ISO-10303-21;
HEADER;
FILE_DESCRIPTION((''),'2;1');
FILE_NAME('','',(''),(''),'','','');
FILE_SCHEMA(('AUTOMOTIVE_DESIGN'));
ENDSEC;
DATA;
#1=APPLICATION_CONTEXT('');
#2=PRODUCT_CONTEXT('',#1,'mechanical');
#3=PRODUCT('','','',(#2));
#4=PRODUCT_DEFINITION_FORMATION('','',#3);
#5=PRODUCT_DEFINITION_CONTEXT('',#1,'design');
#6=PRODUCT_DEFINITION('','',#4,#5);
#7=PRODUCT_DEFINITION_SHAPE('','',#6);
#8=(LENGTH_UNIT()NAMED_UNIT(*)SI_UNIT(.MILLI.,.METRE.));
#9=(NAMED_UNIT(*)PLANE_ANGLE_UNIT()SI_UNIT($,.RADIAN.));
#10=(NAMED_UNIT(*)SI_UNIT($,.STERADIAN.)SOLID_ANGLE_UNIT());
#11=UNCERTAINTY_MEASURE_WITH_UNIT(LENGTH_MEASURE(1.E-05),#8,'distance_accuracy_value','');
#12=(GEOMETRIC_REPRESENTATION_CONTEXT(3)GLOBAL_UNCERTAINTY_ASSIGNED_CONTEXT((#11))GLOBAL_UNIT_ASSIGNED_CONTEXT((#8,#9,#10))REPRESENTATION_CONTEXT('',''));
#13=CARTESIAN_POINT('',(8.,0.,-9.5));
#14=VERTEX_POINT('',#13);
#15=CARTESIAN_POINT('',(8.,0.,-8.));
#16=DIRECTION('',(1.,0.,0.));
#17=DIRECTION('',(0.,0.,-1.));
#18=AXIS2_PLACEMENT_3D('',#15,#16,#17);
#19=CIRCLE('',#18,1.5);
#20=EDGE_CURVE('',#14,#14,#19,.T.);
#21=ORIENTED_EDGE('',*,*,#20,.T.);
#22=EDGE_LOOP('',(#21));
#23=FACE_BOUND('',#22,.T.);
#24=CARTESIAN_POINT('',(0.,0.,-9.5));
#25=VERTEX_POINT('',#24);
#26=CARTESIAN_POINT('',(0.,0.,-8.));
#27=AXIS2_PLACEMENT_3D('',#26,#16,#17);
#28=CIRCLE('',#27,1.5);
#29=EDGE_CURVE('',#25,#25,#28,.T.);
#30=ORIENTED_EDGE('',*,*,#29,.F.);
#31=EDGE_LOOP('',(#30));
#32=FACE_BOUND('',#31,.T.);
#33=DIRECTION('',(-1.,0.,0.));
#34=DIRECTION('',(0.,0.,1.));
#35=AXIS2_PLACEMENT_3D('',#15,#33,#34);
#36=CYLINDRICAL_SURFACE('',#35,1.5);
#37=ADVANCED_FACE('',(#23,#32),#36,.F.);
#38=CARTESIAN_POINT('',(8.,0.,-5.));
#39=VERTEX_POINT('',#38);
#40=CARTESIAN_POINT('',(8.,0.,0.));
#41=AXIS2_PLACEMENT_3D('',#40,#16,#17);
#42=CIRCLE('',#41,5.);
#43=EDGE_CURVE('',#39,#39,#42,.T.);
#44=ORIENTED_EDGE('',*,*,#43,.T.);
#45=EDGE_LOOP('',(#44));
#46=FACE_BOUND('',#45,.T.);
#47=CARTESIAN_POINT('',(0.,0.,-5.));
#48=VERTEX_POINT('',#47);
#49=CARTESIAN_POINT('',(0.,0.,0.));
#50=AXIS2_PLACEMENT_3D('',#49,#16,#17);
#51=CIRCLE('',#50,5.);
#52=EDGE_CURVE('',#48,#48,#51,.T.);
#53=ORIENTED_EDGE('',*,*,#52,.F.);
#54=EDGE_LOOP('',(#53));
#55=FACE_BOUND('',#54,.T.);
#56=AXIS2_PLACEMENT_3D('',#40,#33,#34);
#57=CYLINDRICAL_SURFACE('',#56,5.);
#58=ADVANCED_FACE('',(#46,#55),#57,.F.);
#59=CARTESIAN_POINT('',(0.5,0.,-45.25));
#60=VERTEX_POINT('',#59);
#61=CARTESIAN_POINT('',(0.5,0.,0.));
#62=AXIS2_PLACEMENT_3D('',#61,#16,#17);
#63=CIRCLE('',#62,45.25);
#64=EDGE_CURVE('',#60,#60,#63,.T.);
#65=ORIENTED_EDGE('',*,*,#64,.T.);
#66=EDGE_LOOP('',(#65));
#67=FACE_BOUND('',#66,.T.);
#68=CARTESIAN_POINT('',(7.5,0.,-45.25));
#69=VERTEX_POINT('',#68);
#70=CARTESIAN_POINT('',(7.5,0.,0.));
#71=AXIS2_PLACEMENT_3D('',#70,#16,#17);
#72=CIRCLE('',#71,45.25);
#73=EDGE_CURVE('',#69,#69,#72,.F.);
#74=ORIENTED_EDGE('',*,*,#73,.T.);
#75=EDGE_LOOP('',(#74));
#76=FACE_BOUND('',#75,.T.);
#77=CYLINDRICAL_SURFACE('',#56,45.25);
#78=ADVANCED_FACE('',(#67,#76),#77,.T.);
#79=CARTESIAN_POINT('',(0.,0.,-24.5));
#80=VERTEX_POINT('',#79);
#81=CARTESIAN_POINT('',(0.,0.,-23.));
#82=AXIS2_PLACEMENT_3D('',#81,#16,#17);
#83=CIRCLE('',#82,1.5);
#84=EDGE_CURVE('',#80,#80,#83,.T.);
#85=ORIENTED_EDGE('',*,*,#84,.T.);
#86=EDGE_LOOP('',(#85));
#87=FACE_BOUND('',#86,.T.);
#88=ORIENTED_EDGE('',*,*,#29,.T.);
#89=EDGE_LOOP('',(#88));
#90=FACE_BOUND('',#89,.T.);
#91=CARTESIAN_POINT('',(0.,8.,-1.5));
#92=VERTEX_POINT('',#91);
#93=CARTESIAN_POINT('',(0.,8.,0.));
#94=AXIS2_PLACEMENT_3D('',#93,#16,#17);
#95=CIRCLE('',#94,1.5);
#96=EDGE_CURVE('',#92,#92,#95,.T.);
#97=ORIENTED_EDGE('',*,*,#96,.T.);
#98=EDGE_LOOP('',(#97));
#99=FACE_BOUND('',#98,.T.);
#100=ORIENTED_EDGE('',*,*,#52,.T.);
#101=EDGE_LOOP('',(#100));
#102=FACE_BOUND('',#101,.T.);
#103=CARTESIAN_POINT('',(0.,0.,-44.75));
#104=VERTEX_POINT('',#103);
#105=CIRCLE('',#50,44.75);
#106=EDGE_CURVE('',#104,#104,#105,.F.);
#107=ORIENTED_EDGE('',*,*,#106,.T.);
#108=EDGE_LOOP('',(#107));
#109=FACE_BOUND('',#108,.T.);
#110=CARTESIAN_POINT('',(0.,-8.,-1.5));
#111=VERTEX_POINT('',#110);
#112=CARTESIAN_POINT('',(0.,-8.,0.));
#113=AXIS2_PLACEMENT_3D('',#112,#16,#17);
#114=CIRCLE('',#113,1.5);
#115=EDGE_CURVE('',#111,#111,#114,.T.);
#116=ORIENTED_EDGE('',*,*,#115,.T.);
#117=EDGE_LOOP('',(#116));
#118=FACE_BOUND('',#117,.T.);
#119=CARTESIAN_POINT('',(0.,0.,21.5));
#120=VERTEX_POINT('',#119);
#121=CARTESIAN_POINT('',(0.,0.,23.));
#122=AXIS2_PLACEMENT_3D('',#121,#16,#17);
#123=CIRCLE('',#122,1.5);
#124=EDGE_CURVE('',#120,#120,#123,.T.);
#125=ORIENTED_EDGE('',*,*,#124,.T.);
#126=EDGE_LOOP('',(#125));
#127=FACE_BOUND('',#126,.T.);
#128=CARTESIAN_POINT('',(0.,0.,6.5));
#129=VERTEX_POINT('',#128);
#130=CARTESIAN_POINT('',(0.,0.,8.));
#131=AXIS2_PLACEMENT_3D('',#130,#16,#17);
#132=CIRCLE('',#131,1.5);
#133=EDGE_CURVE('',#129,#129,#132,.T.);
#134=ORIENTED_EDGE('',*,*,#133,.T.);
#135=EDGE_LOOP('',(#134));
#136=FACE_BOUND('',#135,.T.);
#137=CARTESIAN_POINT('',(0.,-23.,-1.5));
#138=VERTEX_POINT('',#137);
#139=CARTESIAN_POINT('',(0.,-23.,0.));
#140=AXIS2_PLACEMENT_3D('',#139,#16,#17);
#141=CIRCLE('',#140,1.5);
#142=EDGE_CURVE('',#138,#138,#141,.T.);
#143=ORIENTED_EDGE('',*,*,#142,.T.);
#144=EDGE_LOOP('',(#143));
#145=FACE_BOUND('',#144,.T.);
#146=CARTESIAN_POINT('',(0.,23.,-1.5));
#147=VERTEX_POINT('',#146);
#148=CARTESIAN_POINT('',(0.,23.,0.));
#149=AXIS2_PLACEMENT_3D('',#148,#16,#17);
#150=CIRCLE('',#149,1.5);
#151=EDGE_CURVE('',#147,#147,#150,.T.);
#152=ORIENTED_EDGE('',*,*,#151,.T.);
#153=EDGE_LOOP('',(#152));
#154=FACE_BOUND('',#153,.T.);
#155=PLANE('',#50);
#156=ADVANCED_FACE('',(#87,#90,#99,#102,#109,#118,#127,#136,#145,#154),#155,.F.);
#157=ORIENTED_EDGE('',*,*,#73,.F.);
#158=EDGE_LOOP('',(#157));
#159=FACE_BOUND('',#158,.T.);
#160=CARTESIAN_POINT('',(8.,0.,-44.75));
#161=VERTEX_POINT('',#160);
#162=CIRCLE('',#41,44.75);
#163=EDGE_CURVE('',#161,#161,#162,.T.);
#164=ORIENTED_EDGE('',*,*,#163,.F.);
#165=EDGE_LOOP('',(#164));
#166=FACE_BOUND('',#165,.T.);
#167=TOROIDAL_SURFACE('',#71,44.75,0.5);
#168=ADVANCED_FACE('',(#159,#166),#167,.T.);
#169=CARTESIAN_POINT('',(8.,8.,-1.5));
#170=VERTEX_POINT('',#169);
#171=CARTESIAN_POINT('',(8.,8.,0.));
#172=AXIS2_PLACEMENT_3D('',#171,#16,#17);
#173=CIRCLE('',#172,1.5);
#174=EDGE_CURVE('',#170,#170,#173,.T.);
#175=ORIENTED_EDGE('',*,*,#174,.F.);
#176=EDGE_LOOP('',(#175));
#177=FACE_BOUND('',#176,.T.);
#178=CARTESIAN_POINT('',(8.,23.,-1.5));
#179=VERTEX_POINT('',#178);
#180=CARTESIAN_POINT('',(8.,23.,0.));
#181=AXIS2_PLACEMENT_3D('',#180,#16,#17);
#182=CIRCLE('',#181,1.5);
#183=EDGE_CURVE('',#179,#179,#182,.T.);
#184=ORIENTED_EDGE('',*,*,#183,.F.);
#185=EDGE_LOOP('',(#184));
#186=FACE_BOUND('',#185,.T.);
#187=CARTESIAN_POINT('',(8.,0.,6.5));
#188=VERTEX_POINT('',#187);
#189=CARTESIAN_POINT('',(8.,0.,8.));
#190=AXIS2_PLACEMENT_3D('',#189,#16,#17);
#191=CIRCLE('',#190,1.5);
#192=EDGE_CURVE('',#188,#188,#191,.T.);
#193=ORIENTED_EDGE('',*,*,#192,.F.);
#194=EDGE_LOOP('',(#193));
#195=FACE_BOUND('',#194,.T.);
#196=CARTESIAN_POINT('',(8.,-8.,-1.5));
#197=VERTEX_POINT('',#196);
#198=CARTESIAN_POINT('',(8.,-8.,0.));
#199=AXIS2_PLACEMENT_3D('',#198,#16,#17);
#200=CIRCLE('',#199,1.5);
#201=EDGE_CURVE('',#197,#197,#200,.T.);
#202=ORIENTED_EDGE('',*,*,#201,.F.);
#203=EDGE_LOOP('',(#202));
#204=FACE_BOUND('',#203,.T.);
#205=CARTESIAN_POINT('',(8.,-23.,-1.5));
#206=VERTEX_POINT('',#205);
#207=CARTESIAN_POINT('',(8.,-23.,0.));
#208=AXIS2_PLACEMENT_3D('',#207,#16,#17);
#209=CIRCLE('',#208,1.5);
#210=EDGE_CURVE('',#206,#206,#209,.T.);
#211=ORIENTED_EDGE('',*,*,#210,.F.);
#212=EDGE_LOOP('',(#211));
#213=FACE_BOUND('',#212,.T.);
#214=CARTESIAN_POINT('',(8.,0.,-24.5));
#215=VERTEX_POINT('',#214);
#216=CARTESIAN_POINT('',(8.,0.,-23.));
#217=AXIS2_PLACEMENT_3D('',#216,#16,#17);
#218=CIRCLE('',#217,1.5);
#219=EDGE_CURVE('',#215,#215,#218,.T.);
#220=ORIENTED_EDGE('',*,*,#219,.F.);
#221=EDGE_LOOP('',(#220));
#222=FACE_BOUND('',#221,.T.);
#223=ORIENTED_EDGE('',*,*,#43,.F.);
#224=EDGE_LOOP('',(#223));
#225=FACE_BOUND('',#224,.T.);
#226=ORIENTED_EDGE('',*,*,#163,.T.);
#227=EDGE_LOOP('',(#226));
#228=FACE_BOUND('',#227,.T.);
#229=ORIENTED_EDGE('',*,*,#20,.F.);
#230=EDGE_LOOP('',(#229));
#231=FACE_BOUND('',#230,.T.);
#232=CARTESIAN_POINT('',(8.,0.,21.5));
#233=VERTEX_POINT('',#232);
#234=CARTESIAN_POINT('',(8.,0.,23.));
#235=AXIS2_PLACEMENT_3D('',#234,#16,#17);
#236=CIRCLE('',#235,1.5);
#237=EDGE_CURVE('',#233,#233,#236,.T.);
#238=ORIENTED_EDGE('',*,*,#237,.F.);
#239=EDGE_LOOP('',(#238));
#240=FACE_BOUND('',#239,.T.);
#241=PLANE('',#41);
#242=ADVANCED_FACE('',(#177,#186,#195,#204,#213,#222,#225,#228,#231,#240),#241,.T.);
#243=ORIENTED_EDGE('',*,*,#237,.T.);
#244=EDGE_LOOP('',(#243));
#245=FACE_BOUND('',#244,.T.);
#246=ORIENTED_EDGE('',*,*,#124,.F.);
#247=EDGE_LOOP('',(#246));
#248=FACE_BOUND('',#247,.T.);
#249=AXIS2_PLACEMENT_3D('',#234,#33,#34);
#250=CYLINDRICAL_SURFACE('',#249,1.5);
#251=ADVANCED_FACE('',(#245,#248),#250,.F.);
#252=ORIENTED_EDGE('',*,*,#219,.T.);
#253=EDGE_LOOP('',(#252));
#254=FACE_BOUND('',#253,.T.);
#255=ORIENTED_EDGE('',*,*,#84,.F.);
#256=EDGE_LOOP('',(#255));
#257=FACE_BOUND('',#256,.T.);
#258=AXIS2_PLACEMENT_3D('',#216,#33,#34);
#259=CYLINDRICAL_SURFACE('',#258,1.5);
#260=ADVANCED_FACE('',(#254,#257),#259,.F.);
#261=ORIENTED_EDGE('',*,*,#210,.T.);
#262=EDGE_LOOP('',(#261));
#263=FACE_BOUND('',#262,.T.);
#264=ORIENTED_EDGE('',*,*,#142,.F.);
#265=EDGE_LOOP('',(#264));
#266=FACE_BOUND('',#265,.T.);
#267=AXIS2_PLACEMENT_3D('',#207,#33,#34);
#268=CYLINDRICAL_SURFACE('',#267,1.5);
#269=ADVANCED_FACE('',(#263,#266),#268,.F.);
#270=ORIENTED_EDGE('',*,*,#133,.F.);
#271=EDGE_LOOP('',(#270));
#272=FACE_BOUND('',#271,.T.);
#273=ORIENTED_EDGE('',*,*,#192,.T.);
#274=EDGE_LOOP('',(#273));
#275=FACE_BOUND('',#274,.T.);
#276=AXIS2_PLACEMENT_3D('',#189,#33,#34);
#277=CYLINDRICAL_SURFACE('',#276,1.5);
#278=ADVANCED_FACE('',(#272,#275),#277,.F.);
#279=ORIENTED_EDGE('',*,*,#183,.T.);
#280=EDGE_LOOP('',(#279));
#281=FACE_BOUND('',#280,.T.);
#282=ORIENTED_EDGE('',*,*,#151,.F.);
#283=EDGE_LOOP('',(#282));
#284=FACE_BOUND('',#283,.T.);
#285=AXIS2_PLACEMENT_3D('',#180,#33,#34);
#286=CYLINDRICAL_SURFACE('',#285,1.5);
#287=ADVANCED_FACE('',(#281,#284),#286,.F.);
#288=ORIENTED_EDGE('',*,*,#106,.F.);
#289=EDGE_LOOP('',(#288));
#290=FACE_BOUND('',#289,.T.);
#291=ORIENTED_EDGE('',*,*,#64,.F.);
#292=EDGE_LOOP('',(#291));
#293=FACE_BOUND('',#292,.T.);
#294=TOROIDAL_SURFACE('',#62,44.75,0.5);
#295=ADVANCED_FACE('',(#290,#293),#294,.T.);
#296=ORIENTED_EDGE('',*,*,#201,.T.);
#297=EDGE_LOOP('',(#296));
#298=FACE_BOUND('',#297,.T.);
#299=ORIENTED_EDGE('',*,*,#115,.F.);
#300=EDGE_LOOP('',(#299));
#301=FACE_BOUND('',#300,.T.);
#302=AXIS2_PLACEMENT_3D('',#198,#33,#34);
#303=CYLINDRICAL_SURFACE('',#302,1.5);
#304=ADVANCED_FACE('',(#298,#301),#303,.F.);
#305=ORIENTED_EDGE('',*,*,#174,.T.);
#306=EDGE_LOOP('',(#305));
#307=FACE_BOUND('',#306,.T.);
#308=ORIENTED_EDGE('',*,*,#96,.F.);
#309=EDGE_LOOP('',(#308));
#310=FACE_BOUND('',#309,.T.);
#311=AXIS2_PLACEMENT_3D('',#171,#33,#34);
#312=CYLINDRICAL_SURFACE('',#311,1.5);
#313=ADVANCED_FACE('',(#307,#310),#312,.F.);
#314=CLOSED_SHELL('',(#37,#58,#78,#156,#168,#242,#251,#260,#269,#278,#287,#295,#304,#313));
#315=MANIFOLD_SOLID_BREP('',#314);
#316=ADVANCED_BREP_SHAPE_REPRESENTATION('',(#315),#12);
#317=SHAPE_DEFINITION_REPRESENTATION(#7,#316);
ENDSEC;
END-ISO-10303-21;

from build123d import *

# Parameters (mm, degrees)
SPROCKET_R                   = 45.25
ESTRUSIONE_ESTRUSIONE2_DEPTH = 8
SCHIZZO1_R                   = 5
SCHIZZO1_R_2                 = 1.5
TAGLIO_ESTRUSIONE2_DEPTH     = 9
RACCORDO1_R                  = 0.5


with BuildPart() as part:
    # Sprocket → Estrusione-Estrusione2 (new body)
    with BuildSketch(Plane(origin=(0, 0, 0), x_dir=(0, 0, -1), z_dir=(1, 0, 0))):
        Circle(SPROCKET_R)
    extrude(amount=ESTRUSIONE_ESTRUSIONE2_DEPTH)

    # Schizzo1 → Taglio-Estrusione2 (cut, through all)
    with BuildSketch(Plane(origin=(0, 0, 0), x_dir=(0, 0, -1), z_dir=(1, 0, 0))):
        Circle(SCHIZZO1_R)
        with Locations((0, 23)):
            Circle(SCHIZZO1_R_2)
        with Locations((8, 0)):
            Circle(SCHIZZO1_R_2)
        with Locations((0, 8)):
            Circle(SCHIZZO1_R_2)
        with Locations((23, 0)):
            Circle(SCHIZZO1_R_2)
        with Locations((0, -8)):
            Circle(SCHIZZO1_R_2)
        with Locations((0, -23)):
            Circle(SCHIZZO1_R_2)
        with Locations((-8, 0)):
            Circle(SCHIZZO1_R_2)
        with Locations((-23, 0)):
            Circle(SCHIZZO1_R_2)
    extrude(amount=TAGLIO_ESTRUSIONE2_DEPTH, mode=Mode.SUBTRACT)

    # Raccordo1
    raccordo1_edges = [part.edges().sort_by_distance(p)[0] for p in [
        (0, 0, 45.25),
        (8, 0, 45.25),
    ]]
    fillet(raccordo1_edges, radius=RACCORDO1_R)


solid = part.part
